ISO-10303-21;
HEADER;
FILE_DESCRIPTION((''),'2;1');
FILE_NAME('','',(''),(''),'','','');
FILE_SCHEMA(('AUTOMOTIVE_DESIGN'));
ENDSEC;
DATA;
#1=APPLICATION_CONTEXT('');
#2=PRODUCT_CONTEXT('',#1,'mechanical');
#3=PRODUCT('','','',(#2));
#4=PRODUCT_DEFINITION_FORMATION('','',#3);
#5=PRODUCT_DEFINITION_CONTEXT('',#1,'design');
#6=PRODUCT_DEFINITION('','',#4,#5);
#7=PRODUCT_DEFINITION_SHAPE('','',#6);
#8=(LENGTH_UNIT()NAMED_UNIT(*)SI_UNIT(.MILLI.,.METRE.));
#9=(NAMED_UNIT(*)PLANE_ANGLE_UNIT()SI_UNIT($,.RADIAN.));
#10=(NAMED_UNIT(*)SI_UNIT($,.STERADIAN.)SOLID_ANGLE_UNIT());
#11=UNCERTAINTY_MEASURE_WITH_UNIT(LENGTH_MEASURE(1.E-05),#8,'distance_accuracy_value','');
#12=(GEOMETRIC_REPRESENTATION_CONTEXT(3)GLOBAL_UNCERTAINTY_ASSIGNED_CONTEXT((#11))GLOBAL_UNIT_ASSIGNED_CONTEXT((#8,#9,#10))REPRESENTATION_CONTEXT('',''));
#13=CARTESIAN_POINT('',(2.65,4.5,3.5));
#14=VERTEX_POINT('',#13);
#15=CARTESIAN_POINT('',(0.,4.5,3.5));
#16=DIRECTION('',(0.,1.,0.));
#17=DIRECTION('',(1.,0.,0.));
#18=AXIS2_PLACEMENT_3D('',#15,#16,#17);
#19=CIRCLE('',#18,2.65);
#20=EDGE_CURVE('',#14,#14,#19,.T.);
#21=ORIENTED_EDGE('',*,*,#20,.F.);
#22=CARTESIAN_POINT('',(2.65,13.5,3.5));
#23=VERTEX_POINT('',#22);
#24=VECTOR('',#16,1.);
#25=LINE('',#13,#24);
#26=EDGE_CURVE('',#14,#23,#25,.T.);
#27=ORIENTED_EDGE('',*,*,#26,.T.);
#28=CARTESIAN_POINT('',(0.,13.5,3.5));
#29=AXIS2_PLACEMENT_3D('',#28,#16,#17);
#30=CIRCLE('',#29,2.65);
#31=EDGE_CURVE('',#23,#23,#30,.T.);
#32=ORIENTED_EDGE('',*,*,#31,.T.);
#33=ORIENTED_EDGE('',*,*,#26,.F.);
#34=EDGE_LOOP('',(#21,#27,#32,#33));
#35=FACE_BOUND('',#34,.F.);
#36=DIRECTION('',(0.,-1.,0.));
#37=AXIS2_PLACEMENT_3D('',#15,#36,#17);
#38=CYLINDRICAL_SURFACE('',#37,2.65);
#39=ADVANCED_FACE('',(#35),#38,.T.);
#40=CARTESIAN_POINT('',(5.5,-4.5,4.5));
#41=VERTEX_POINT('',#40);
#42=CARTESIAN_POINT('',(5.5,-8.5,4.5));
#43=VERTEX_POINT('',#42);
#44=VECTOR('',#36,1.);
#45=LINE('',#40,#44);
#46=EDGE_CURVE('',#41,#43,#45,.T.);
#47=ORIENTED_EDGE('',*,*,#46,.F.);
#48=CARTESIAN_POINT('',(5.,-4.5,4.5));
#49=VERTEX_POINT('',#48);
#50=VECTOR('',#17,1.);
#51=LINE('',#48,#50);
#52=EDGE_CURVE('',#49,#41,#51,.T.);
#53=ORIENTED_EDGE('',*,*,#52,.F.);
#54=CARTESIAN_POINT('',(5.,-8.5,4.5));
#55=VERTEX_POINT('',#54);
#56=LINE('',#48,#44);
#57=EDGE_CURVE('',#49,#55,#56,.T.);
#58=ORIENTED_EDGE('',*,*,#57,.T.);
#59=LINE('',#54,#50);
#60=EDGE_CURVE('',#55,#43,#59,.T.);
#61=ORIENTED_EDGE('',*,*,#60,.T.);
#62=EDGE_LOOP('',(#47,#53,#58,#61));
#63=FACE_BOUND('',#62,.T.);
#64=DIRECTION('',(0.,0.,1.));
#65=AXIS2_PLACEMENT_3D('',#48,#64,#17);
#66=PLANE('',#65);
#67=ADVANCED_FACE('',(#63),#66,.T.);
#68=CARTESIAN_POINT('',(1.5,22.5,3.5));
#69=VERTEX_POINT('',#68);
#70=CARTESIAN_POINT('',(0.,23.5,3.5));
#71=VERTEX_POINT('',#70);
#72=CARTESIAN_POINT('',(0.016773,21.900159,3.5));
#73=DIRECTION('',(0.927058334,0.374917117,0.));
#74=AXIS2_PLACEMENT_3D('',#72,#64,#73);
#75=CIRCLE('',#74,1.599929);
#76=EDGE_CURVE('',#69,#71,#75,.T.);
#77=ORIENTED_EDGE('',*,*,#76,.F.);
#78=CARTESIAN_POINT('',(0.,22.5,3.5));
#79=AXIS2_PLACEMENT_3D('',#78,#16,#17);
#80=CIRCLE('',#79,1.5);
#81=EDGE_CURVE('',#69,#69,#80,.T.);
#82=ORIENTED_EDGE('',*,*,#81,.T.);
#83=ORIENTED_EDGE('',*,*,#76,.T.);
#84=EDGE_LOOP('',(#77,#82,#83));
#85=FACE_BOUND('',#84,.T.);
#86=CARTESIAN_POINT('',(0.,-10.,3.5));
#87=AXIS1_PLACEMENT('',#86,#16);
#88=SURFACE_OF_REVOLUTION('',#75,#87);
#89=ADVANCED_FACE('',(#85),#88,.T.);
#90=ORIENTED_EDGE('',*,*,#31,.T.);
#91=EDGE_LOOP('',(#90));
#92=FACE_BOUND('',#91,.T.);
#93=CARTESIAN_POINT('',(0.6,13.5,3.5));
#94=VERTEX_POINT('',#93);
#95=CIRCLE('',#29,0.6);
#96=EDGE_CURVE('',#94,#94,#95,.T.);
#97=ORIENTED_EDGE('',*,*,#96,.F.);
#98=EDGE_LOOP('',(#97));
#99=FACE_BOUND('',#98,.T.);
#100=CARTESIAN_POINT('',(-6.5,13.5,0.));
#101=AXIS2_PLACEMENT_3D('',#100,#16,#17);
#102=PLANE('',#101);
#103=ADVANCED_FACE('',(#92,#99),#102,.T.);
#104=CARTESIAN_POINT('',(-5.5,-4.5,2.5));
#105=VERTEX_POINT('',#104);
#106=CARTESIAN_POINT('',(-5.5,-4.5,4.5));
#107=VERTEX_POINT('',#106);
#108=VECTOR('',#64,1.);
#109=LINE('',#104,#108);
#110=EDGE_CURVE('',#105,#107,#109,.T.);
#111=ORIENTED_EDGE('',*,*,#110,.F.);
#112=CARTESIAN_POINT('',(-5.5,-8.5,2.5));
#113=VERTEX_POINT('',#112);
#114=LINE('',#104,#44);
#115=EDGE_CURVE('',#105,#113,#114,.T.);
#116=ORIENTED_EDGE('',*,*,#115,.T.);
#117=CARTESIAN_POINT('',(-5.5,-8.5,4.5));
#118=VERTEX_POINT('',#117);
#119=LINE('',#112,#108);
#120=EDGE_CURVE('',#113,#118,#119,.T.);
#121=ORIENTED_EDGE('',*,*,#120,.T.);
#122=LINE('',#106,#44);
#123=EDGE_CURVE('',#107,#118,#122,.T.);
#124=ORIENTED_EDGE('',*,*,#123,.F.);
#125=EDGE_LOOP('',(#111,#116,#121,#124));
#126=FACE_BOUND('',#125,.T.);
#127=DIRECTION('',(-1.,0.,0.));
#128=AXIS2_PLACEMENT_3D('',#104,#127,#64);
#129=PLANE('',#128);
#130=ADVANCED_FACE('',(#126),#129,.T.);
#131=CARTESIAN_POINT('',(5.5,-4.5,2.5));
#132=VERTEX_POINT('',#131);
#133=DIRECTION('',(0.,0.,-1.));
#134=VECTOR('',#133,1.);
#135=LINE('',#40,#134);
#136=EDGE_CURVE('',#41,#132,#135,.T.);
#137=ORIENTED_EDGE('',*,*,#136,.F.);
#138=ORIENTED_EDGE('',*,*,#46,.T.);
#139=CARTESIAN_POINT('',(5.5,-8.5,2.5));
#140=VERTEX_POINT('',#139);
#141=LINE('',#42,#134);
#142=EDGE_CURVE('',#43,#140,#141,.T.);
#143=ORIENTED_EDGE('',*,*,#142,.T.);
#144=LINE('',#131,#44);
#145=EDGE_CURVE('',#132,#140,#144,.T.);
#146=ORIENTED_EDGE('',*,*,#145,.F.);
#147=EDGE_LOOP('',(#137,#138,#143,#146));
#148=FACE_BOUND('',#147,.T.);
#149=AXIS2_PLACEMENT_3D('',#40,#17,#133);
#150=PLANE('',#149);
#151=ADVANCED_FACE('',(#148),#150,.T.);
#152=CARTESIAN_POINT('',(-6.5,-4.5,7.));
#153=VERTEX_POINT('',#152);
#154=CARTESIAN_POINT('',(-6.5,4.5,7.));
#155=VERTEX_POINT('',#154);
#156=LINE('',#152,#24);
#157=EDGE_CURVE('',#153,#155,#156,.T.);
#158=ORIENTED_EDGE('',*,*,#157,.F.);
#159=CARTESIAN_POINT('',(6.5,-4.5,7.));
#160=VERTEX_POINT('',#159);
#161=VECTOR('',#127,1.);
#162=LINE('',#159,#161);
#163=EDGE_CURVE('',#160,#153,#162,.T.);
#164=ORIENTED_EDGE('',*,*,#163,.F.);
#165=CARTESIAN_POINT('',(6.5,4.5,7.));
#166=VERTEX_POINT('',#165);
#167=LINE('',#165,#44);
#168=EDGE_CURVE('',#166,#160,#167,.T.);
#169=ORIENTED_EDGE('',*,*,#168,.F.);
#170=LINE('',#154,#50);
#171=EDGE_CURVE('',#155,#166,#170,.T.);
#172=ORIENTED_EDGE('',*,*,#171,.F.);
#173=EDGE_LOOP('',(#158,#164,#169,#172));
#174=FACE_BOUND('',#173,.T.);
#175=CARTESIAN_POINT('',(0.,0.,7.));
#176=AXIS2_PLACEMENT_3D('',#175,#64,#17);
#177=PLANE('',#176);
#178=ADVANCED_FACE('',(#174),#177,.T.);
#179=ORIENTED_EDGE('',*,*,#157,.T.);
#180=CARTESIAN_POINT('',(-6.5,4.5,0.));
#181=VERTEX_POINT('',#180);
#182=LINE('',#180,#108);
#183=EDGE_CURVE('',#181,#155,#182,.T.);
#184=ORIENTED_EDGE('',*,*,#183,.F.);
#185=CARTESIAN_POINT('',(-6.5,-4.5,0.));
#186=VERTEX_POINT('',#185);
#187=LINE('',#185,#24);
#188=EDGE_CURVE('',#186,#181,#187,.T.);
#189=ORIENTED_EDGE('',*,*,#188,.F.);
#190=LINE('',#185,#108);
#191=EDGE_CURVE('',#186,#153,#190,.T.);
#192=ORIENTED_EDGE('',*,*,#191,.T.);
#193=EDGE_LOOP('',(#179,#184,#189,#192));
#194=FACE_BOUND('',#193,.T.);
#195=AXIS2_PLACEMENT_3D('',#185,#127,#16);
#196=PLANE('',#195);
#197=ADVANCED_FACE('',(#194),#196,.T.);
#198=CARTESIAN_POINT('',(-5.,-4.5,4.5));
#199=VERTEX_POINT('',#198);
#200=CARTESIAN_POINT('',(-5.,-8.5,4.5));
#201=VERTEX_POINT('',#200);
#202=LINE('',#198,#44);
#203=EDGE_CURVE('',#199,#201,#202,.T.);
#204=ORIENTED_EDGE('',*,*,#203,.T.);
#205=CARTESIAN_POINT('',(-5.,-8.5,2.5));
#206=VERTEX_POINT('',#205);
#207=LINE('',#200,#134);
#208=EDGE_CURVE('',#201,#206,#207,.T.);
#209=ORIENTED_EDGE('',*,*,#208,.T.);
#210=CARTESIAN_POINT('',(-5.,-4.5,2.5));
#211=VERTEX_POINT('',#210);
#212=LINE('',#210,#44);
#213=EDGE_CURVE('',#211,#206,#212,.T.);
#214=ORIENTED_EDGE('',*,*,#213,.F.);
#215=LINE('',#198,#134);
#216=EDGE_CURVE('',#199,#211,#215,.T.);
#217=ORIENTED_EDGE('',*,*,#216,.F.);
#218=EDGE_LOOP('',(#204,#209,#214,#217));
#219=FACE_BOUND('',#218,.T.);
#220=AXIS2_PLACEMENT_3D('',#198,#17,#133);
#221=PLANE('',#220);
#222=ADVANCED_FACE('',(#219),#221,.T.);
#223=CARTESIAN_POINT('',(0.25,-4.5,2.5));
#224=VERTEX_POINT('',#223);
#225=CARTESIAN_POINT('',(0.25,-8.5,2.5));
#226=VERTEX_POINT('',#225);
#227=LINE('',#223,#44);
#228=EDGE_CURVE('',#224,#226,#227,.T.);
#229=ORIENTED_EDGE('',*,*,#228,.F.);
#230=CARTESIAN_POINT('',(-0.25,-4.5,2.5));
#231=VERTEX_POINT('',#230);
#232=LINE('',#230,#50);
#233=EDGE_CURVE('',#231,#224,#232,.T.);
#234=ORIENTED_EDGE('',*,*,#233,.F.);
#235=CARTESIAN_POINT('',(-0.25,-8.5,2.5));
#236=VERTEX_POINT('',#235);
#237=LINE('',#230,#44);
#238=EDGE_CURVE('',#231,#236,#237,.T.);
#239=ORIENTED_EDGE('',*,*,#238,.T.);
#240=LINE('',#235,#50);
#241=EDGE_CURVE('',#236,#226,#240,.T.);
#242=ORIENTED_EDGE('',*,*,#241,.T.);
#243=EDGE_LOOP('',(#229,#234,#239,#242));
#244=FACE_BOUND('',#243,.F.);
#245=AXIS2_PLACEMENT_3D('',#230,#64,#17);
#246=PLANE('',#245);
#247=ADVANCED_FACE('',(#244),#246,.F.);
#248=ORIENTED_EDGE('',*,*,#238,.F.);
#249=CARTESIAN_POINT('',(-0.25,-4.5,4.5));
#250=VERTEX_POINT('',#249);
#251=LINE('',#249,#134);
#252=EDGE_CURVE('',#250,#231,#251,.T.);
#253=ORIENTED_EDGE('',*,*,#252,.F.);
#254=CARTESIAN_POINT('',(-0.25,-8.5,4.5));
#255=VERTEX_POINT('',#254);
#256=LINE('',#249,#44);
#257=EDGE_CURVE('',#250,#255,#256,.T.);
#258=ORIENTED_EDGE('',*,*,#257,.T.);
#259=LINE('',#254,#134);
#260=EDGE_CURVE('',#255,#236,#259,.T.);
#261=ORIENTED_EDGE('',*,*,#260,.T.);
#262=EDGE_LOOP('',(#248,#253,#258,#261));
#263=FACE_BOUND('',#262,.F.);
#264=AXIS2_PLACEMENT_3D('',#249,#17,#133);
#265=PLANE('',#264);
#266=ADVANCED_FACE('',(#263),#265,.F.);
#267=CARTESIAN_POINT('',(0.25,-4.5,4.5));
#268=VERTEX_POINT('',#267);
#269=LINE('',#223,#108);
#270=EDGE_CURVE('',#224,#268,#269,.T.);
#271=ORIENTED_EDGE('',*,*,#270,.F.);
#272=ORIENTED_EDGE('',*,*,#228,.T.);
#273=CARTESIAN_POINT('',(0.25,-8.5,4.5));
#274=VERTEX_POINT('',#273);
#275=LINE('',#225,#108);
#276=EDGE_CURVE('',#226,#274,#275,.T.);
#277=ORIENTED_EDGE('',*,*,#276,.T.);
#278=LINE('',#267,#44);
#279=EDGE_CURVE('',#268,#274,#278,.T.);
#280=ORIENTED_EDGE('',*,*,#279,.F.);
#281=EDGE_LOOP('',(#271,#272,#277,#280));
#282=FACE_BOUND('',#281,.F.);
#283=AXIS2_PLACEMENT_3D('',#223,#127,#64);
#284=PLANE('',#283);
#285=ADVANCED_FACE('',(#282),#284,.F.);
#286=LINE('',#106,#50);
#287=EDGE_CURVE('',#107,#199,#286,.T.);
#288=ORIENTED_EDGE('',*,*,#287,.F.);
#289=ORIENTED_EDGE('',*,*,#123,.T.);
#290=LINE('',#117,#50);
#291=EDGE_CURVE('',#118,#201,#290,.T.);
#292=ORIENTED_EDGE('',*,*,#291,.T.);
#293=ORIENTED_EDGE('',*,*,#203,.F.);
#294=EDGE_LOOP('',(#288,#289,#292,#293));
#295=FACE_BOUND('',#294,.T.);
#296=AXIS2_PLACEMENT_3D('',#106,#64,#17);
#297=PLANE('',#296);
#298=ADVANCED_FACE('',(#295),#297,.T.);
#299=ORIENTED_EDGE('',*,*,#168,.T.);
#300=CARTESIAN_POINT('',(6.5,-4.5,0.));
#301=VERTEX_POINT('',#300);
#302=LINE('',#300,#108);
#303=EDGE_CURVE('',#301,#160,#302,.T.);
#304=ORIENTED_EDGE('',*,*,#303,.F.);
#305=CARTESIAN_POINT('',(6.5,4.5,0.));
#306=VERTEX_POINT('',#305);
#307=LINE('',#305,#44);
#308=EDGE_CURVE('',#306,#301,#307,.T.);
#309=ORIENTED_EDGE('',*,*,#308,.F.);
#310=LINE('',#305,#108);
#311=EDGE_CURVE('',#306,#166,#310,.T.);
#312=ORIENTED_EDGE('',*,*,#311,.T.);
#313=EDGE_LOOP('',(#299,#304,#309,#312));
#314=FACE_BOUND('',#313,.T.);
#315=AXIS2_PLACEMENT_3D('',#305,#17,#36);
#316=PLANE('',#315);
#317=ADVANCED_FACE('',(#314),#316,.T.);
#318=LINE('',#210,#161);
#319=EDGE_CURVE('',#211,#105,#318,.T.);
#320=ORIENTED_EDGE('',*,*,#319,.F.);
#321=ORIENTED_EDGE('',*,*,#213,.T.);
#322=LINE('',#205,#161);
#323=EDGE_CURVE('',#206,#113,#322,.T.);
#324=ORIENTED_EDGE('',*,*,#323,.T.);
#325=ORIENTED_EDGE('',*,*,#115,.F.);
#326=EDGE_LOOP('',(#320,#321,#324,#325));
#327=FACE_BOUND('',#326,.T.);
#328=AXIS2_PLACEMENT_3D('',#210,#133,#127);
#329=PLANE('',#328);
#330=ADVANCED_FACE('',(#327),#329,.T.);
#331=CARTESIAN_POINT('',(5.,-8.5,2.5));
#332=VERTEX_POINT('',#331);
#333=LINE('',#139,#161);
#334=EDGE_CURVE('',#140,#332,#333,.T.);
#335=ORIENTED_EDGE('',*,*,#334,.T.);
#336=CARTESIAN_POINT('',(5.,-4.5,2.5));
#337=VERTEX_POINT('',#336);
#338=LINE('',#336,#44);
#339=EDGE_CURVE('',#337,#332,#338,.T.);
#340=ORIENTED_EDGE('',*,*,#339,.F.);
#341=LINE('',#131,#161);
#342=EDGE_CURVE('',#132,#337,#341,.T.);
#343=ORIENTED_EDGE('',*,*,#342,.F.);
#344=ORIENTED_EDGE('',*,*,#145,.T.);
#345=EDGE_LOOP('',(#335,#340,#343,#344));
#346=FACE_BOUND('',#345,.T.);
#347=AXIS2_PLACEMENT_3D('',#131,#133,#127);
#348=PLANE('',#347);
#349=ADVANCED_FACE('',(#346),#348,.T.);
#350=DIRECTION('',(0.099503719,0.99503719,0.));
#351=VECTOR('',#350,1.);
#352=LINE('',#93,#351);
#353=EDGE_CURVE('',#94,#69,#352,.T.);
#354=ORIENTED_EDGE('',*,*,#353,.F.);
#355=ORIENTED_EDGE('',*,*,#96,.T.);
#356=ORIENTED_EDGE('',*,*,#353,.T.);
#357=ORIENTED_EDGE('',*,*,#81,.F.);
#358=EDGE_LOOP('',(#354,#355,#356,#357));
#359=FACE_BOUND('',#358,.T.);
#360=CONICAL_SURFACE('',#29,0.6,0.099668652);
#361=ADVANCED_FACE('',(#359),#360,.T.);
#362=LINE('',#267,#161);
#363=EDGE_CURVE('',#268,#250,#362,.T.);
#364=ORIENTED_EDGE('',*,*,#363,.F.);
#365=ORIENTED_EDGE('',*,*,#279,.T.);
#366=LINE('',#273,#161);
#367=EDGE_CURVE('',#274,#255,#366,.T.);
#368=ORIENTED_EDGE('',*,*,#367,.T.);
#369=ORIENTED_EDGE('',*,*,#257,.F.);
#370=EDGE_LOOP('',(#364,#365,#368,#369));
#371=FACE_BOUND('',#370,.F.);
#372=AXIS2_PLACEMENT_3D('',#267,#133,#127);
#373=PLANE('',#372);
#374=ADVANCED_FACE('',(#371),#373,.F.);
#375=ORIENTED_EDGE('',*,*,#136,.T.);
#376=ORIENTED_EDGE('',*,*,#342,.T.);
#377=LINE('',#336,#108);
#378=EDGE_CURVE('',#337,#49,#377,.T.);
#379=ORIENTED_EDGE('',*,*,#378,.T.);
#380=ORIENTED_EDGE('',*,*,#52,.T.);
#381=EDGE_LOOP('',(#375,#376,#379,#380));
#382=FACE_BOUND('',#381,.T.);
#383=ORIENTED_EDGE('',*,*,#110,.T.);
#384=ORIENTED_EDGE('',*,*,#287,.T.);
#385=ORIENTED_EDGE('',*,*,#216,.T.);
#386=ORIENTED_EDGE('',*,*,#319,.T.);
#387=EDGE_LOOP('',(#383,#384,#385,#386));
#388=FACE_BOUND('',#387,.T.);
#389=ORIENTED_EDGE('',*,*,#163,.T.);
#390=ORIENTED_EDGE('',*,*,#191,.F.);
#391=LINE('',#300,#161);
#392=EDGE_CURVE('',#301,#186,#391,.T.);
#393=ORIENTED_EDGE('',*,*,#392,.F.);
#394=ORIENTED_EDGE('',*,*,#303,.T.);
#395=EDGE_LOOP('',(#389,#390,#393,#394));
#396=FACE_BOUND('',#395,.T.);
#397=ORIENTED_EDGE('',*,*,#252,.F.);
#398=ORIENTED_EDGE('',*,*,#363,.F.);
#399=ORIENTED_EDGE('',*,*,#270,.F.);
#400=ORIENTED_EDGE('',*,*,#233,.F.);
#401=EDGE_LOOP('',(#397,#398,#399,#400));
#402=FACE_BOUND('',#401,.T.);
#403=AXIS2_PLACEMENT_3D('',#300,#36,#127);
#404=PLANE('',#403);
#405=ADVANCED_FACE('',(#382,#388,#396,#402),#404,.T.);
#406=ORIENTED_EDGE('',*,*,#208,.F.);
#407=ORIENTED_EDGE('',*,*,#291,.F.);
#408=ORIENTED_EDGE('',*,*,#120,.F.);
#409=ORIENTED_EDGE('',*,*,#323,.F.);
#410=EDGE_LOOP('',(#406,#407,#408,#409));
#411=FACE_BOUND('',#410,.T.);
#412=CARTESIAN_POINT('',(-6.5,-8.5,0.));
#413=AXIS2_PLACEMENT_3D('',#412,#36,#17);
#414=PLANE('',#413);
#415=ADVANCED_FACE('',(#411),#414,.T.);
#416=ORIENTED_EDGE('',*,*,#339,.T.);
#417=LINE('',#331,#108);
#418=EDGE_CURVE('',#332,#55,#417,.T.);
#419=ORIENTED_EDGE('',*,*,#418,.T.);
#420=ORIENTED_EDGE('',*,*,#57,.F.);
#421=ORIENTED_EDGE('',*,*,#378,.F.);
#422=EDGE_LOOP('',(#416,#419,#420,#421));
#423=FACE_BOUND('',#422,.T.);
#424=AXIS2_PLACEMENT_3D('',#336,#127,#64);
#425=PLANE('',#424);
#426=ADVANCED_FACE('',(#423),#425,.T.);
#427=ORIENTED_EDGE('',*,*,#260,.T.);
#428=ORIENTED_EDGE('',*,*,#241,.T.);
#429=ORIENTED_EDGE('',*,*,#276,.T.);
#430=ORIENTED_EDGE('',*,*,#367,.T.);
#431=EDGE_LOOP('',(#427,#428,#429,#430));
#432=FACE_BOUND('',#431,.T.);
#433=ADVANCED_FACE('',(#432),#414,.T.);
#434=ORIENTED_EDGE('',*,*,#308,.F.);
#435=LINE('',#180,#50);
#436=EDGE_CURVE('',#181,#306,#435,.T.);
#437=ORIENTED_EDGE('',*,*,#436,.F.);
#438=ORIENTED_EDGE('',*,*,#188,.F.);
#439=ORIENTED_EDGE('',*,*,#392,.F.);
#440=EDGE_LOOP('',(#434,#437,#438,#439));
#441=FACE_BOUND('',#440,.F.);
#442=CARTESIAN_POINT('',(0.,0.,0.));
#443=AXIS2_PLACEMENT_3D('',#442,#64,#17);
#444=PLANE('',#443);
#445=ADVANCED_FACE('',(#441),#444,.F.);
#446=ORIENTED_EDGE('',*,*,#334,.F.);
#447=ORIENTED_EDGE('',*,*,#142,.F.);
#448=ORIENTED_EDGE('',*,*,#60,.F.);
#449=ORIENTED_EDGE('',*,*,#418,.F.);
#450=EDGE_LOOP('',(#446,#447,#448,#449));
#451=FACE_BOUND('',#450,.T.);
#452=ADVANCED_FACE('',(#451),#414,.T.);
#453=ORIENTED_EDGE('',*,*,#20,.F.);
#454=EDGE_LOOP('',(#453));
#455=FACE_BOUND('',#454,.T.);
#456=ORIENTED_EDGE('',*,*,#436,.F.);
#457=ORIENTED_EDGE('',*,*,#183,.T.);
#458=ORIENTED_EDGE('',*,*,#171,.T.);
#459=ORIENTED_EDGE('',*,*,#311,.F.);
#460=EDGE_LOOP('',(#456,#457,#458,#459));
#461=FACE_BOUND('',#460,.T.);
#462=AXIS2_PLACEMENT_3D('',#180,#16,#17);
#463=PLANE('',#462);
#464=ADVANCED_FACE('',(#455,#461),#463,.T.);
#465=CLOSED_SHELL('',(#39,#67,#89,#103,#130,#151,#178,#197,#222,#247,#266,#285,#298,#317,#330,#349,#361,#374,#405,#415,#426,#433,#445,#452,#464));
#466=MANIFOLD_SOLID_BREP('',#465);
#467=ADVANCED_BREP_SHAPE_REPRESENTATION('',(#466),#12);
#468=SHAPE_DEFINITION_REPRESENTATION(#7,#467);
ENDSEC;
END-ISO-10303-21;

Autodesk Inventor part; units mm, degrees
ref_plane "YZ Plane" through (0, 0, 0) normal (1, 0, 0) x (0, 1, 0)
ref_plane "XZ Plane" through (0, 0, 0) normal (0, 1, 0) x (-1, 0, 0)
ref_plane "XY Plane" through (0, 0, 0) normal (0, 0, 1) x (1, 0, 0)
sketch "Sketch1" plane through (0, 0, 0) normal (0, 0, 1) x (1, 0, 0)
  line L0 (-6.5, 4.5) -> (6.5, 4.5)
  line L1 (6.5, 4.5) -> (6.5, -4.5)
  line L2 (6.5, -4.5) -> (-6.5, -4.5)
  line L3 (-6.5, -4.5) -> (-6.5, 4.5)
  point P0 (0, 0)
  dimension "d0" = 13
  dimension "d1" = 9
  dimension "d2" = 4.5
  dimension "d3" = 6.5
extrude "Extrusion1" add sketch "Sketch1" along normal blind 7
sketch "Sketch2" plane through (-6.5, -4.5, 0) normal (0, -1, 0) x (1, 0, 0)
  line L0 (1, 4.5) -> (1.5, 4.5)
  line L1 (1.5, 4.5) -> (1.5, 2.5)
  line L2 (1.5, 2.5) -> (1, 2.5)
  line L3 (1, 2.5) -> (1, 4.5)
  line L4 (11.5, 4.5) -> (12, 4.5)
  line L5 (12, 4.5) -> (12, 2.5)
  line L6 (12, 2.5) -> (11.5, 2.5)
  line L7 (11.5, 2.5) -> (11.5, 4.5)
  line L8 (6.25, 2.5) -> (6.75, 2.5)
  line L9 (6.75, 2.5) -> (6.75, 4.5)
  line L10 (6.75, 4.5) -> (6.25, 4.5)
  line L11 (6.25, 4.5) -> (6.25, 2.5)
  line L12 (0, 0) -> (0, 7) projected
  line L13 (13, 0) -> (13, 7) projected
  line L14 (0, 7) -> (13, 7) projected
  point P0 (6.5, 0)
  dimension "d6" = 0.5
  dimension "d7" = 0.5
  dimension "d8" = 0.5
  dimension "d9" = 1
  dimension "d10" = 1
  dimension "d11" = 6.25
  dimension "d12" = 6.25
  dimension "d13" = 2
  dimension "d14" = 2
  dimension "d15" = 2
  dimension "d16" = 2.5
extrude "Extrusion2" add sketch "Sketch2" along normal blind 4
sketch "Sketch3" plane through (-6.5, 4.5, 0) normal (0, 1, 0) x (1, 0, 0)
  line L0 (0, -7) -> (13, -7) projected
  line L1 (0, 0) -> (0, -7) projected
  circle A0 centre (6.5, -3.5) radius 2.65
  point P0 (6.5, 0)
  point P1 (6.5, -7)
  point P2 (0, -3.5)
  dimension "d19" = 5.3
extrude "Extrusion3" add sketch "Sketch3" along normal blind 9
sketch "Sketch4" plane through (0, 13.5, 3.5) normal (0, 1, 0) x (1, 0, 0)
  line L0 (-0.5, 0) -> (0.5, 0)
  line L1 (0.5, 0) -> (0.5, 0.1)
  line L2 (0.5, 0.1) -> (-0.5, 0.1)
  line L3 (-0.5, 0.1) -> (-0.5, 0)
  circle A0 centre (0, 0) radius 2.65 projected
  point P0 (0, 3.5)
  dimension "d22" = 0
  dimension "d23" = 0.1
  dimension "d24" = 0.5
  dimension "d25" = 0.5
extrude "Extrusion4" add sketch "Sketch4" along normal blind 3 contours L3 L2 L1 L0
sketch "Sketch5" plane through (-0.5, 13.5, 3.5) normal (0, 0, 1) x (1, 0, 0)
  line L0 (3.15, 0) -> (-2.15, 0) projected
  line L1 (0, 0) -> (0, 3) projected
  line L2 (1.1, 0) -> (2, 9)
  arc A0 (2, 9) -> (0.5, 10) centre (0.5167, 8.4001) ccw
  line L3 (0.5, 10) -> (0.5, 0)
  line L4 (1.1, 0) -> (0.5, 0)
  line L5 (0.5, -28.4463) -> (0.5, 16.6776) projected
  point P0 (0.5, -13.5)
  point P1 (2, 10)
  dimension "d28" = 10
  dimension "d29" = 1.5
  dimension "d30" = 1.1
  dimension "d31" = 1
  dimension "d32" = 1.6
revolve "Revolution1" add sketch "Sketch5" angle 360 about axis through (0, -10, 3.5) along (0, 1, 0)
thread "Thread1" size "M5.5x0.5" class "6g" standard "ANSI Metric M Profile" full length
properties part number "switch-mockup"
